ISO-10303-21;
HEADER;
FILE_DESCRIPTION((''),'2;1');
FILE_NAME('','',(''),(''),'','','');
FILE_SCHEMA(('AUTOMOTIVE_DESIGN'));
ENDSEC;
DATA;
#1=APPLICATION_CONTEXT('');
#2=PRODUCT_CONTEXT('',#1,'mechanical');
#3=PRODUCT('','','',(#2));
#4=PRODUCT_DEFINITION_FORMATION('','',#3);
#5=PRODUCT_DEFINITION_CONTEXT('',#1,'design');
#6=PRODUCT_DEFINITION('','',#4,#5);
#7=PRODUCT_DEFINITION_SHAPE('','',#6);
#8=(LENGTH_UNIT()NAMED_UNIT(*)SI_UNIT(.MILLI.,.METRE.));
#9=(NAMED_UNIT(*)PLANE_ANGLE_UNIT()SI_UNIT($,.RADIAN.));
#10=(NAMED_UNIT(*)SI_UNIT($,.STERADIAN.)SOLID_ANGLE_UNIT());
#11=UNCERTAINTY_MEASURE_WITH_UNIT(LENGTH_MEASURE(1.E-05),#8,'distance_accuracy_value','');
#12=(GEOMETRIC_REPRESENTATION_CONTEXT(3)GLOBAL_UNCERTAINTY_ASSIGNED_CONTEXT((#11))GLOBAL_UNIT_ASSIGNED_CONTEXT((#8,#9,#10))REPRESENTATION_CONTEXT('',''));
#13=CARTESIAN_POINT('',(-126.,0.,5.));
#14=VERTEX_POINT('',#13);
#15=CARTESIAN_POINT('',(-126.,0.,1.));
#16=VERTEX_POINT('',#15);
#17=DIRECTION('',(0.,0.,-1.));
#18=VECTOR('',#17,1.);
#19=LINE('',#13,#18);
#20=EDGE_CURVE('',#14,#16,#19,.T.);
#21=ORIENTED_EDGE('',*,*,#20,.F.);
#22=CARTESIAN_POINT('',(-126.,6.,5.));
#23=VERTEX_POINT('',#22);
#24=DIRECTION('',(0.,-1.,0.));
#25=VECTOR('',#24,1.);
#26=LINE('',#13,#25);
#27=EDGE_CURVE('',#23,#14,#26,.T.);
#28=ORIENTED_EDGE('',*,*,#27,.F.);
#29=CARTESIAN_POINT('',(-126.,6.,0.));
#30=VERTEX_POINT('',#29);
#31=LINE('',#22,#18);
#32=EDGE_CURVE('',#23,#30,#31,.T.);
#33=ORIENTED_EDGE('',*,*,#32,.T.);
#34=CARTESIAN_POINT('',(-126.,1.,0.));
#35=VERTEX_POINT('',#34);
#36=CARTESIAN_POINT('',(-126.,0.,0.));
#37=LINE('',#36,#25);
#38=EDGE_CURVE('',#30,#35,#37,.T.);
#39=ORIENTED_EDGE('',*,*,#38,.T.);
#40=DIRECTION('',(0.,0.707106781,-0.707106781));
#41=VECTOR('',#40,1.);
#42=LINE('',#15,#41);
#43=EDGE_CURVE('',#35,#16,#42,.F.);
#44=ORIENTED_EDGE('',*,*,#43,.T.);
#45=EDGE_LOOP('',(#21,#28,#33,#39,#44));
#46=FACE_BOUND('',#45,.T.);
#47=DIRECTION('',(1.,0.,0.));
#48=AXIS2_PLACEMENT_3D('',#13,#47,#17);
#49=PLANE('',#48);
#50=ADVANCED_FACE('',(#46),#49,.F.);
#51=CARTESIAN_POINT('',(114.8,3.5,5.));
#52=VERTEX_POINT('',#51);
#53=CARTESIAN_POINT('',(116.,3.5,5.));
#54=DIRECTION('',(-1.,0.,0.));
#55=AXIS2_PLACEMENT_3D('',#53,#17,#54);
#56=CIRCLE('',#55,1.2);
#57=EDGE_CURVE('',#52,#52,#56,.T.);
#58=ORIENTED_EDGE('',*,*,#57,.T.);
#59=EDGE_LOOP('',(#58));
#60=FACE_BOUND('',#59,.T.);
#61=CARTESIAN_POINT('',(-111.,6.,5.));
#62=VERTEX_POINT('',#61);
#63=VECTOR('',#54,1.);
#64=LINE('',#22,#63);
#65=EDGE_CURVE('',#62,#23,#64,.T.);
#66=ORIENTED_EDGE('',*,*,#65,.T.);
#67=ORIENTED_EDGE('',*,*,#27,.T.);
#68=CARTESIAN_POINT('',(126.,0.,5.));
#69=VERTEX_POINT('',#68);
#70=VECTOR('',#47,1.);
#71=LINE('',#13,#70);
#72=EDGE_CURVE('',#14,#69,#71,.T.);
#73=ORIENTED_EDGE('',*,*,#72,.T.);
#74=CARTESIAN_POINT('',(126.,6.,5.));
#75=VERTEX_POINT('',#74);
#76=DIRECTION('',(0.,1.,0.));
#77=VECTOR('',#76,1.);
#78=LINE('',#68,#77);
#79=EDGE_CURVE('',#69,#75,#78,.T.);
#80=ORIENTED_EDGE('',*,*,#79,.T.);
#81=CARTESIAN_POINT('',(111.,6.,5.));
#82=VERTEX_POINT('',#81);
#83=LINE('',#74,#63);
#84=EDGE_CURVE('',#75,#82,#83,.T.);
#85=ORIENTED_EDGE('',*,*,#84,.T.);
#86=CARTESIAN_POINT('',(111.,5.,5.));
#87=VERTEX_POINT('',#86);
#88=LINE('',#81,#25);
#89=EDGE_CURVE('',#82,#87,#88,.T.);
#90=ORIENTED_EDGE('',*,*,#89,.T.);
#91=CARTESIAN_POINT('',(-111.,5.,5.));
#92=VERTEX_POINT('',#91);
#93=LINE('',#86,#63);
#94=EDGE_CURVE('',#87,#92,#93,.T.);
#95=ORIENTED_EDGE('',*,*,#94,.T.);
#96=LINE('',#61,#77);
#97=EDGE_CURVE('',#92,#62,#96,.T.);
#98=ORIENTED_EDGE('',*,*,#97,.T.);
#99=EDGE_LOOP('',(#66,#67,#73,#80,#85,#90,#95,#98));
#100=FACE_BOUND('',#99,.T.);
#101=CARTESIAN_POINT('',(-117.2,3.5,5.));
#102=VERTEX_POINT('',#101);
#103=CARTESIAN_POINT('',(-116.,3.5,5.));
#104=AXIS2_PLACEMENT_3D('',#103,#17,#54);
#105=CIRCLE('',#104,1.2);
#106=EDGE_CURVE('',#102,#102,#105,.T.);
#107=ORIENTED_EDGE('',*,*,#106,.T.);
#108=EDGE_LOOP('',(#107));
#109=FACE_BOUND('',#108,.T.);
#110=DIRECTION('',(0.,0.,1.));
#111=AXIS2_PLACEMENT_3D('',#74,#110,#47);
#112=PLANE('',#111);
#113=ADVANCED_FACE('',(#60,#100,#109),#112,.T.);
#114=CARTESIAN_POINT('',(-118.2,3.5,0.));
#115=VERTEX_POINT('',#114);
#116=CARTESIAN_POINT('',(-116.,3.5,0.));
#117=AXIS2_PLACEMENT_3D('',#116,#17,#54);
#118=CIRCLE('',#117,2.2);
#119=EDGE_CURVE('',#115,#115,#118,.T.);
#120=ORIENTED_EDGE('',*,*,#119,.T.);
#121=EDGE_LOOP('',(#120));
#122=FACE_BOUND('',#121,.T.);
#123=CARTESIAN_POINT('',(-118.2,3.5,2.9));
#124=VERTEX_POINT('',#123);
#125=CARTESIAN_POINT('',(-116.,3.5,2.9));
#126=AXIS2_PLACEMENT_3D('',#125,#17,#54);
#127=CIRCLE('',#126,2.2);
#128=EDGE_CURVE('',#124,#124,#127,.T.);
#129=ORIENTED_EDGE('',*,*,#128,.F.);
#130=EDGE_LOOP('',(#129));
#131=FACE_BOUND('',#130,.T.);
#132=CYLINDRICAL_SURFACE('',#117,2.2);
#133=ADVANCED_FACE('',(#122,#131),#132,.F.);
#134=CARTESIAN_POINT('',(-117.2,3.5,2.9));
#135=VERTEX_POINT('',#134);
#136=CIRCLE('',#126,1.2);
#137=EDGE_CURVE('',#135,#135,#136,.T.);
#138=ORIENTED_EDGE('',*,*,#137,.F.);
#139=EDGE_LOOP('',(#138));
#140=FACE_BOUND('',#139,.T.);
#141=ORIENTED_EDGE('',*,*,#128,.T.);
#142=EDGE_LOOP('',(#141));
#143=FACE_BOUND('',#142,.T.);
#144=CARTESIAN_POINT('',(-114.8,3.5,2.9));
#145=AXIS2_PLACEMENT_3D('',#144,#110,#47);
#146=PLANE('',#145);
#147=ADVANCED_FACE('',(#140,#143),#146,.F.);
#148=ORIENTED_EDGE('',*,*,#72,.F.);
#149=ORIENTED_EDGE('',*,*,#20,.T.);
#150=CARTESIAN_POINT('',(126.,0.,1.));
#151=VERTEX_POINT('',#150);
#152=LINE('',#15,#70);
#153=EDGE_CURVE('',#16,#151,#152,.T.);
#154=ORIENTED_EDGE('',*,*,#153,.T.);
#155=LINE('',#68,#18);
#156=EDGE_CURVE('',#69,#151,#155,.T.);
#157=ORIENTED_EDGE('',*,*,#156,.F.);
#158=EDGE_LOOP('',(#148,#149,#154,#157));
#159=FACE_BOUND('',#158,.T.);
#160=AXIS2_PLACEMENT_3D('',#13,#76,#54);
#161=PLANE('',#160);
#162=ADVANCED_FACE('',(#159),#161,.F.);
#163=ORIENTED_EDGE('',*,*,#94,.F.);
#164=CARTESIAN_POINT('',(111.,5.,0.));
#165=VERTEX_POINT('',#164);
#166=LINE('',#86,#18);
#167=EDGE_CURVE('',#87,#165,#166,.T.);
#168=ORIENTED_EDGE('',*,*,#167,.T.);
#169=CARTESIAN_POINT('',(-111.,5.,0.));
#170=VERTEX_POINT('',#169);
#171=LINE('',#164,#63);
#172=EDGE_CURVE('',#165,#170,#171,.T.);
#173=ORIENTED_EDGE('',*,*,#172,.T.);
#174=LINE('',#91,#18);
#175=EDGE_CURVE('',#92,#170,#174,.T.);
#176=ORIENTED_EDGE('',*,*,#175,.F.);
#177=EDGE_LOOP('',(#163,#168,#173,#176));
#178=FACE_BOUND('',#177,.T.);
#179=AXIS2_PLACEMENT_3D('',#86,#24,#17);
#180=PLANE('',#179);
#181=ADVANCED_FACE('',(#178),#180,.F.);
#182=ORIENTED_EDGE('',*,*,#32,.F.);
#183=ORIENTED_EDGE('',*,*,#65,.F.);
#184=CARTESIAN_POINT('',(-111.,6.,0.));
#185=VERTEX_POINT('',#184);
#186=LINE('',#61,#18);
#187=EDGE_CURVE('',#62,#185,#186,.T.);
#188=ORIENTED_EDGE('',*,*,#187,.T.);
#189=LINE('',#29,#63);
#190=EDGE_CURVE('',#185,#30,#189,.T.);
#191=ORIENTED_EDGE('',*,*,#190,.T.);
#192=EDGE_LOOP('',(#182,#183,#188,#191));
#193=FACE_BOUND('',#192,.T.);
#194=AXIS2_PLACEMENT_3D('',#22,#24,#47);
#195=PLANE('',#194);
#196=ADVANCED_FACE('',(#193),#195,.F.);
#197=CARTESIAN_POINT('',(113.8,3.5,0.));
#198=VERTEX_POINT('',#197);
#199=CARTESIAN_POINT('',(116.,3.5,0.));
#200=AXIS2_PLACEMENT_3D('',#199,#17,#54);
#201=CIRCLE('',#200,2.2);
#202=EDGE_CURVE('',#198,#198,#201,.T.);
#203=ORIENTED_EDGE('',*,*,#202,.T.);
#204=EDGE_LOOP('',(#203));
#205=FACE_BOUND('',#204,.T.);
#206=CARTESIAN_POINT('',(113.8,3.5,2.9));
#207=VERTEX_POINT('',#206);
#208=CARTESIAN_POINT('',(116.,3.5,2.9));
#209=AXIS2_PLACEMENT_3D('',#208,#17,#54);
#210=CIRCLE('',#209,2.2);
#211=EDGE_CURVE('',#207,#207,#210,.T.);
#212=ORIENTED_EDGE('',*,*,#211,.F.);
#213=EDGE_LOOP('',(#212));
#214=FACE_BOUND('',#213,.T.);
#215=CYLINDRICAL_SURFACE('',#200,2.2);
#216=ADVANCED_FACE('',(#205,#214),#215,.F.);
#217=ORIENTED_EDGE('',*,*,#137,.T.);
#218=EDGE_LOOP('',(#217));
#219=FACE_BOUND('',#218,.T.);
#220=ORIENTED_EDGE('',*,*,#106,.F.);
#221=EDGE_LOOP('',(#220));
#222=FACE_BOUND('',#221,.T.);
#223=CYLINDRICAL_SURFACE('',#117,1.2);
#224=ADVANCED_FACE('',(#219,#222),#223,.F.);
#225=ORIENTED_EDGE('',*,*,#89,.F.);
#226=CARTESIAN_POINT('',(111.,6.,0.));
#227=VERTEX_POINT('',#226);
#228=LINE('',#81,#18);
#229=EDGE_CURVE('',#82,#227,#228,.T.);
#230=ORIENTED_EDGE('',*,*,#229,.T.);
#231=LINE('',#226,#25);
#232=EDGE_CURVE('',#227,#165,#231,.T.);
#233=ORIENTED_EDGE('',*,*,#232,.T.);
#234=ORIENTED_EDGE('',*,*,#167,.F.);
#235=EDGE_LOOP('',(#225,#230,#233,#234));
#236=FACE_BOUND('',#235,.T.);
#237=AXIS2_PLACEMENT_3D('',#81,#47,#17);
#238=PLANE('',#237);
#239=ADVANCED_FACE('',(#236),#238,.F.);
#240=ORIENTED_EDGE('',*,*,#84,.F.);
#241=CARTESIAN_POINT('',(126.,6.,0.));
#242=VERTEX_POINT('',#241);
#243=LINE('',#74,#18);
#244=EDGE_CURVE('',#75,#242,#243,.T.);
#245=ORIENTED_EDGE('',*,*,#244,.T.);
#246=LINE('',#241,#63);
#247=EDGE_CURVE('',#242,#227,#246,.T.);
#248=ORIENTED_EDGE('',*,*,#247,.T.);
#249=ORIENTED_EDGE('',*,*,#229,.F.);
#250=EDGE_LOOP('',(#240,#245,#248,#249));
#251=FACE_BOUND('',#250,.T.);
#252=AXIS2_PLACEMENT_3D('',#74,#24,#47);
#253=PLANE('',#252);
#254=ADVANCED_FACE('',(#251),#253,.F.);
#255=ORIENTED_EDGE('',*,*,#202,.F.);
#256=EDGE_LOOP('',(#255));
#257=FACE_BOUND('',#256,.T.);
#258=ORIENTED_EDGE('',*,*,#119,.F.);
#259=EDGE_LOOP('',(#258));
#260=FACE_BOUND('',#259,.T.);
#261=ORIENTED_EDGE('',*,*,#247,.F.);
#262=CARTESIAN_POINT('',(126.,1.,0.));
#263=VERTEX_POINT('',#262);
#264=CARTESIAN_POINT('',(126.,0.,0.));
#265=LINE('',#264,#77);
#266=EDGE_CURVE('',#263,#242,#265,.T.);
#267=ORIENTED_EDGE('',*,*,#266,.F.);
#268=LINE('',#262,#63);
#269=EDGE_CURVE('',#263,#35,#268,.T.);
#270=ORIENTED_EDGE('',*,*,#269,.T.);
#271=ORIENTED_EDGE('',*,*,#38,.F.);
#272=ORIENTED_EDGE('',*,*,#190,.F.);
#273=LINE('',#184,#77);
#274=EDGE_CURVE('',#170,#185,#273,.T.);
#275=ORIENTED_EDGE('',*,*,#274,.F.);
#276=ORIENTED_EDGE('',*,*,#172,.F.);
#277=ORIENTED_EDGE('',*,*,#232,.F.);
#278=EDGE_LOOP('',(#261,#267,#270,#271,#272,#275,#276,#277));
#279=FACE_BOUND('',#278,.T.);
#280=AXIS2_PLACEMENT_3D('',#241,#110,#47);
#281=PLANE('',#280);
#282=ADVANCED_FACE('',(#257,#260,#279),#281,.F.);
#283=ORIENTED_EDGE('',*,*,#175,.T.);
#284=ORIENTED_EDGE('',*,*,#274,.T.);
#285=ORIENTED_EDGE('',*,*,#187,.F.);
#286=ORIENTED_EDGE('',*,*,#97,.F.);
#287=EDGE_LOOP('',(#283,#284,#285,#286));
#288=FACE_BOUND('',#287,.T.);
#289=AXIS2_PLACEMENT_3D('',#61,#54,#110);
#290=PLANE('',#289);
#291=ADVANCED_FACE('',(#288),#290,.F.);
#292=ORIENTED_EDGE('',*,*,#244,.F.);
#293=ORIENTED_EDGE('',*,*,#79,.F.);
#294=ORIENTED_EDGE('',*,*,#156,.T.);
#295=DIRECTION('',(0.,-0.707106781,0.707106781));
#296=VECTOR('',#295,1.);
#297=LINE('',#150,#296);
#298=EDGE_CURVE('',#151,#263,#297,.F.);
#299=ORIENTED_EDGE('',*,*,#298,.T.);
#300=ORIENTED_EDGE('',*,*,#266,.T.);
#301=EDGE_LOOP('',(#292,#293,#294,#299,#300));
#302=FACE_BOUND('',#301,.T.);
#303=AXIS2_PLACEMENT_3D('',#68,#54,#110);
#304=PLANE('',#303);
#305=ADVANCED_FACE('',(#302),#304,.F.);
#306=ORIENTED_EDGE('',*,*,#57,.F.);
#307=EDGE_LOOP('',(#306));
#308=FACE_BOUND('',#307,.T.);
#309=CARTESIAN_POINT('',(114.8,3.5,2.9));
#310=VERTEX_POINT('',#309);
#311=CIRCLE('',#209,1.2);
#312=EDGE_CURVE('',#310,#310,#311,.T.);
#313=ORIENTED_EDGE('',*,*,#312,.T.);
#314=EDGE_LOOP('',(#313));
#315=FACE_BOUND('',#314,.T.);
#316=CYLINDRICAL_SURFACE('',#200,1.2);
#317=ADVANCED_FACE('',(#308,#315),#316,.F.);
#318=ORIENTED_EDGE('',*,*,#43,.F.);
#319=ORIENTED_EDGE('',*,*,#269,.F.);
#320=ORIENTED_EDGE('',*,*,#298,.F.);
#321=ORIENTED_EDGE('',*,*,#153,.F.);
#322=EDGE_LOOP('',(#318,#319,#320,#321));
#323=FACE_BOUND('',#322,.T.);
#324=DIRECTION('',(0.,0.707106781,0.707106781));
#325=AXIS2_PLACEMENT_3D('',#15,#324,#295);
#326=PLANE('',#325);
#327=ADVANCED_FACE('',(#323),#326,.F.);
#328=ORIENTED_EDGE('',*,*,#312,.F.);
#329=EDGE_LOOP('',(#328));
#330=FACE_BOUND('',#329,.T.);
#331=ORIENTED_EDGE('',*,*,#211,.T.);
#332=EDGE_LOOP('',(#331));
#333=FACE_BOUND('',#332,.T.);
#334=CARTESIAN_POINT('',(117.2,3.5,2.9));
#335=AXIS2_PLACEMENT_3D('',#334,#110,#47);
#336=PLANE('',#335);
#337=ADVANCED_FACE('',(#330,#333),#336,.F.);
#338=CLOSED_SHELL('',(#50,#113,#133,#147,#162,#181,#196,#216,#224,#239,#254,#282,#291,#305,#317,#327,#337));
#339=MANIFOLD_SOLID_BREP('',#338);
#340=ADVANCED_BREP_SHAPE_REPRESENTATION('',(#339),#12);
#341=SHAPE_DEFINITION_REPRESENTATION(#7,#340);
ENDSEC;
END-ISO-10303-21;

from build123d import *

# Parameters (mm, degrees)
EXTRUDE_1_DEPTH             = 5
CHAMFER_1_SIZE              = 1
HOLE_WIZARD_M21_D           = 2.4
HOLE_WIZARD_M21_CBORE_D     = 4.4
HOLE_WIZARD_M21_CBORE_DEPTH = 2.9


with BuildPart() as part:
    # Эскиз1 → Бобышка-Вытянуть1 (new body)
    with BuildSketch(Plane.XY):
        Polygon((-126, 0), (126, 0), (126, 6), (111, 6), (111, 5), (-111, 5), (-111, 6), (-126, 6), align=None)
    extrude(amount=EXTRUDE_1_DEPTH)

    # Фаска1
    chamfer_1_edges = [part.edges().sort_by_distance(p)[0] for p in [
        (0, 0, 0),
    ]]
    chamfer(chamfer_1_edges, length=CHAMFER_1_SIZE)

    # Цековка для  винта с внутренним шестигранником M21 (through all)
    with Locations(Plane(origin=(0, 0, 0), x_dir=(-1, 0, 0), z_dir=(0, 0, -1))):
        with Locations((-116, 3.5), (116, 3.5)):
            CounterBoreHole(HOLE_WIZARD_M21_D / 2, HOLE_WIZARD_M21_CBORE_D / 2, HOLE_WIZARD_M21_CBORE_DEPTH)


solid = part.part
